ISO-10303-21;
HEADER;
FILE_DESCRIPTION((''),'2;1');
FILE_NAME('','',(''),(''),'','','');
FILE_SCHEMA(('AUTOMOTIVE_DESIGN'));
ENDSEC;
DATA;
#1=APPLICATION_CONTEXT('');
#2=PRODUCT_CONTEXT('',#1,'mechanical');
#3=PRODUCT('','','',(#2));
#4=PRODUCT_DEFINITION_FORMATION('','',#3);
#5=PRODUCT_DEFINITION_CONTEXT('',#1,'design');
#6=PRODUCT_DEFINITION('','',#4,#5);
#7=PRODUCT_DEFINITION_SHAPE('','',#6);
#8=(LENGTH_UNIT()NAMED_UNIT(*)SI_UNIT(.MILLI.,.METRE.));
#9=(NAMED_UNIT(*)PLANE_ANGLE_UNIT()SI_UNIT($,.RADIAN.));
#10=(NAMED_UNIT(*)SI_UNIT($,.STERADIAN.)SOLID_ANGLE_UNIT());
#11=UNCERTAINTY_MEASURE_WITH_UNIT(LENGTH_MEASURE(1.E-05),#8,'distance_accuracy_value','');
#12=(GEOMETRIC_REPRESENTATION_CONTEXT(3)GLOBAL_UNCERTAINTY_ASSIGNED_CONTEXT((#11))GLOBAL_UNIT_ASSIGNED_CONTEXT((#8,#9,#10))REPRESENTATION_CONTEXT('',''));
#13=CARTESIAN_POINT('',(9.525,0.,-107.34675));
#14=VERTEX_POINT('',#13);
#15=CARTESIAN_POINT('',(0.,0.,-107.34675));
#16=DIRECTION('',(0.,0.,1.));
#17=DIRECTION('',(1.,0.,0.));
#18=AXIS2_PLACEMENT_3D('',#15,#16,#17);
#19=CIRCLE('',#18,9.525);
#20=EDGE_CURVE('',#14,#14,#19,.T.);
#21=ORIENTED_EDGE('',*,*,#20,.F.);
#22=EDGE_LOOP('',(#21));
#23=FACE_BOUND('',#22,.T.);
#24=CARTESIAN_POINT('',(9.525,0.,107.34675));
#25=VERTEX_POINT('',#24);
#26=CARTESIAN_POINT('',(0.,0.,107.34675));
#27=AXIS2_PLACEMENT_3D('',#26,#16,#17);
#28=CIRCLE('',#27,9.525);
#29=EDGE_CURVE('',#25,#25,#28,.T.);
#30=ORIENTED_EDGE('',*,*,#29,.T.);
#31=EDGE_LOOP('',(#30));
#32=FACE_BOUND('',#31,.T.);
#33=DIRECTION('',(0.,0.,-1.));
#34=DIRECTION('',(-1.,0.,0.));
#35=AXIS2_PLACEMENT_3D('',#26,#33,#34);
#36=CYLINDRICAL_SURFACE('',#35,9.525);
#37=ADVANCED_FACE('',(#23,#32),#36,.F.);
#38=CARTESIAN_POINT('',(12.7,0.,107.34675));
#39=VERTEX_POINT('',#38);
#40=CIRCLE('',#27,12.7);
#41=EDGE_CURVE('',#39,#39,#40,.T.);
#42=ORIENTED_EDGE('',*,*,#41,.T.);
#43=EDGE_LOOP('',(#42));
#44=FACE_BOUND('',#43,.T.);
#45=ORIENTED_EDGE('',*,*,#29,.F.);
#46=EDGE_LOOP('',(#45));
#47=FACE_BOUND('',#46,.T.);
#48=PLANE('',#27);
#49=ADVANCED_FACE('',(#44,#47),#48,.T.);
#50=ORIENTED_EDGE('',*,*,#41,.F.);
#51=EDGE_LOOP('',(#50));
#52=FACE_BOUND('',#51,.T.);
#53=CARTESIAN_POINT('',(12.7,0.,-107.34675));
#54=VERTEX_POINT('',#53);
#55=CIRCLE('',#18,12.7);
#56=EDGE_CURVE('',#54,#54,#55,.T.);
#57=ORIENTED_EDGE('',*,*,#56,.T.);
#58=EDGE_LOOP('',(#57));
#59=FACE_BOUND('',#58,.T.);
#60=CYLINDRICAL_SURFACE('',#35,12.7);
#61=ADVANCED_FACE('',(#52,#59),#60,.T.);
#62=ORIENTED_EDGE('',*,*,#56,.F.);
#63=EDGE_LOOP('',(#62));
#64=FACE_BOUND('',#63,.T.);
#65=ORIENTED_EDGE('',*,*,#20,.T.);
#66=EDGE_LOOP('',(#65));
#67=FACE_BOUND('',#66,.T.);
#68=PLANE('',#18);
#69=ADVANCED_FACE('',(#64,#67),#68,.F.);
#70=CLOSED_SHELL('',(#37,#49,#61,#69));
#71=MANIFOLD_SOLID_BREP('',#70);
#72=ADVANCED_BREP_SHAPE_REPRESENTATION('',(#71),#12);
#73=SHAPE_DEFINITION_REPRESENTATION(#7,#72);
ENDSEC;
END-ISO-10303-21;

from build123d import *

# Parameters (mm, degrees)
SKETCH1_R      = 12.7
SKETCH1_R_2    = 9.525
EXTRUDE1_DEPTH = 107.34675


with BuildPart() as part:
    # Sketch1 → Extrude1 (new body, symmetric)
    with BuildSketch(Plane.XY):
        Circle(SKETCH1_R)
        Circle(SKETCH1_R_2, mode=Mode.SUBTRACT)
    extrude(amount=EXTRUDE1_DEPTH, both=True)


solid = part.part
